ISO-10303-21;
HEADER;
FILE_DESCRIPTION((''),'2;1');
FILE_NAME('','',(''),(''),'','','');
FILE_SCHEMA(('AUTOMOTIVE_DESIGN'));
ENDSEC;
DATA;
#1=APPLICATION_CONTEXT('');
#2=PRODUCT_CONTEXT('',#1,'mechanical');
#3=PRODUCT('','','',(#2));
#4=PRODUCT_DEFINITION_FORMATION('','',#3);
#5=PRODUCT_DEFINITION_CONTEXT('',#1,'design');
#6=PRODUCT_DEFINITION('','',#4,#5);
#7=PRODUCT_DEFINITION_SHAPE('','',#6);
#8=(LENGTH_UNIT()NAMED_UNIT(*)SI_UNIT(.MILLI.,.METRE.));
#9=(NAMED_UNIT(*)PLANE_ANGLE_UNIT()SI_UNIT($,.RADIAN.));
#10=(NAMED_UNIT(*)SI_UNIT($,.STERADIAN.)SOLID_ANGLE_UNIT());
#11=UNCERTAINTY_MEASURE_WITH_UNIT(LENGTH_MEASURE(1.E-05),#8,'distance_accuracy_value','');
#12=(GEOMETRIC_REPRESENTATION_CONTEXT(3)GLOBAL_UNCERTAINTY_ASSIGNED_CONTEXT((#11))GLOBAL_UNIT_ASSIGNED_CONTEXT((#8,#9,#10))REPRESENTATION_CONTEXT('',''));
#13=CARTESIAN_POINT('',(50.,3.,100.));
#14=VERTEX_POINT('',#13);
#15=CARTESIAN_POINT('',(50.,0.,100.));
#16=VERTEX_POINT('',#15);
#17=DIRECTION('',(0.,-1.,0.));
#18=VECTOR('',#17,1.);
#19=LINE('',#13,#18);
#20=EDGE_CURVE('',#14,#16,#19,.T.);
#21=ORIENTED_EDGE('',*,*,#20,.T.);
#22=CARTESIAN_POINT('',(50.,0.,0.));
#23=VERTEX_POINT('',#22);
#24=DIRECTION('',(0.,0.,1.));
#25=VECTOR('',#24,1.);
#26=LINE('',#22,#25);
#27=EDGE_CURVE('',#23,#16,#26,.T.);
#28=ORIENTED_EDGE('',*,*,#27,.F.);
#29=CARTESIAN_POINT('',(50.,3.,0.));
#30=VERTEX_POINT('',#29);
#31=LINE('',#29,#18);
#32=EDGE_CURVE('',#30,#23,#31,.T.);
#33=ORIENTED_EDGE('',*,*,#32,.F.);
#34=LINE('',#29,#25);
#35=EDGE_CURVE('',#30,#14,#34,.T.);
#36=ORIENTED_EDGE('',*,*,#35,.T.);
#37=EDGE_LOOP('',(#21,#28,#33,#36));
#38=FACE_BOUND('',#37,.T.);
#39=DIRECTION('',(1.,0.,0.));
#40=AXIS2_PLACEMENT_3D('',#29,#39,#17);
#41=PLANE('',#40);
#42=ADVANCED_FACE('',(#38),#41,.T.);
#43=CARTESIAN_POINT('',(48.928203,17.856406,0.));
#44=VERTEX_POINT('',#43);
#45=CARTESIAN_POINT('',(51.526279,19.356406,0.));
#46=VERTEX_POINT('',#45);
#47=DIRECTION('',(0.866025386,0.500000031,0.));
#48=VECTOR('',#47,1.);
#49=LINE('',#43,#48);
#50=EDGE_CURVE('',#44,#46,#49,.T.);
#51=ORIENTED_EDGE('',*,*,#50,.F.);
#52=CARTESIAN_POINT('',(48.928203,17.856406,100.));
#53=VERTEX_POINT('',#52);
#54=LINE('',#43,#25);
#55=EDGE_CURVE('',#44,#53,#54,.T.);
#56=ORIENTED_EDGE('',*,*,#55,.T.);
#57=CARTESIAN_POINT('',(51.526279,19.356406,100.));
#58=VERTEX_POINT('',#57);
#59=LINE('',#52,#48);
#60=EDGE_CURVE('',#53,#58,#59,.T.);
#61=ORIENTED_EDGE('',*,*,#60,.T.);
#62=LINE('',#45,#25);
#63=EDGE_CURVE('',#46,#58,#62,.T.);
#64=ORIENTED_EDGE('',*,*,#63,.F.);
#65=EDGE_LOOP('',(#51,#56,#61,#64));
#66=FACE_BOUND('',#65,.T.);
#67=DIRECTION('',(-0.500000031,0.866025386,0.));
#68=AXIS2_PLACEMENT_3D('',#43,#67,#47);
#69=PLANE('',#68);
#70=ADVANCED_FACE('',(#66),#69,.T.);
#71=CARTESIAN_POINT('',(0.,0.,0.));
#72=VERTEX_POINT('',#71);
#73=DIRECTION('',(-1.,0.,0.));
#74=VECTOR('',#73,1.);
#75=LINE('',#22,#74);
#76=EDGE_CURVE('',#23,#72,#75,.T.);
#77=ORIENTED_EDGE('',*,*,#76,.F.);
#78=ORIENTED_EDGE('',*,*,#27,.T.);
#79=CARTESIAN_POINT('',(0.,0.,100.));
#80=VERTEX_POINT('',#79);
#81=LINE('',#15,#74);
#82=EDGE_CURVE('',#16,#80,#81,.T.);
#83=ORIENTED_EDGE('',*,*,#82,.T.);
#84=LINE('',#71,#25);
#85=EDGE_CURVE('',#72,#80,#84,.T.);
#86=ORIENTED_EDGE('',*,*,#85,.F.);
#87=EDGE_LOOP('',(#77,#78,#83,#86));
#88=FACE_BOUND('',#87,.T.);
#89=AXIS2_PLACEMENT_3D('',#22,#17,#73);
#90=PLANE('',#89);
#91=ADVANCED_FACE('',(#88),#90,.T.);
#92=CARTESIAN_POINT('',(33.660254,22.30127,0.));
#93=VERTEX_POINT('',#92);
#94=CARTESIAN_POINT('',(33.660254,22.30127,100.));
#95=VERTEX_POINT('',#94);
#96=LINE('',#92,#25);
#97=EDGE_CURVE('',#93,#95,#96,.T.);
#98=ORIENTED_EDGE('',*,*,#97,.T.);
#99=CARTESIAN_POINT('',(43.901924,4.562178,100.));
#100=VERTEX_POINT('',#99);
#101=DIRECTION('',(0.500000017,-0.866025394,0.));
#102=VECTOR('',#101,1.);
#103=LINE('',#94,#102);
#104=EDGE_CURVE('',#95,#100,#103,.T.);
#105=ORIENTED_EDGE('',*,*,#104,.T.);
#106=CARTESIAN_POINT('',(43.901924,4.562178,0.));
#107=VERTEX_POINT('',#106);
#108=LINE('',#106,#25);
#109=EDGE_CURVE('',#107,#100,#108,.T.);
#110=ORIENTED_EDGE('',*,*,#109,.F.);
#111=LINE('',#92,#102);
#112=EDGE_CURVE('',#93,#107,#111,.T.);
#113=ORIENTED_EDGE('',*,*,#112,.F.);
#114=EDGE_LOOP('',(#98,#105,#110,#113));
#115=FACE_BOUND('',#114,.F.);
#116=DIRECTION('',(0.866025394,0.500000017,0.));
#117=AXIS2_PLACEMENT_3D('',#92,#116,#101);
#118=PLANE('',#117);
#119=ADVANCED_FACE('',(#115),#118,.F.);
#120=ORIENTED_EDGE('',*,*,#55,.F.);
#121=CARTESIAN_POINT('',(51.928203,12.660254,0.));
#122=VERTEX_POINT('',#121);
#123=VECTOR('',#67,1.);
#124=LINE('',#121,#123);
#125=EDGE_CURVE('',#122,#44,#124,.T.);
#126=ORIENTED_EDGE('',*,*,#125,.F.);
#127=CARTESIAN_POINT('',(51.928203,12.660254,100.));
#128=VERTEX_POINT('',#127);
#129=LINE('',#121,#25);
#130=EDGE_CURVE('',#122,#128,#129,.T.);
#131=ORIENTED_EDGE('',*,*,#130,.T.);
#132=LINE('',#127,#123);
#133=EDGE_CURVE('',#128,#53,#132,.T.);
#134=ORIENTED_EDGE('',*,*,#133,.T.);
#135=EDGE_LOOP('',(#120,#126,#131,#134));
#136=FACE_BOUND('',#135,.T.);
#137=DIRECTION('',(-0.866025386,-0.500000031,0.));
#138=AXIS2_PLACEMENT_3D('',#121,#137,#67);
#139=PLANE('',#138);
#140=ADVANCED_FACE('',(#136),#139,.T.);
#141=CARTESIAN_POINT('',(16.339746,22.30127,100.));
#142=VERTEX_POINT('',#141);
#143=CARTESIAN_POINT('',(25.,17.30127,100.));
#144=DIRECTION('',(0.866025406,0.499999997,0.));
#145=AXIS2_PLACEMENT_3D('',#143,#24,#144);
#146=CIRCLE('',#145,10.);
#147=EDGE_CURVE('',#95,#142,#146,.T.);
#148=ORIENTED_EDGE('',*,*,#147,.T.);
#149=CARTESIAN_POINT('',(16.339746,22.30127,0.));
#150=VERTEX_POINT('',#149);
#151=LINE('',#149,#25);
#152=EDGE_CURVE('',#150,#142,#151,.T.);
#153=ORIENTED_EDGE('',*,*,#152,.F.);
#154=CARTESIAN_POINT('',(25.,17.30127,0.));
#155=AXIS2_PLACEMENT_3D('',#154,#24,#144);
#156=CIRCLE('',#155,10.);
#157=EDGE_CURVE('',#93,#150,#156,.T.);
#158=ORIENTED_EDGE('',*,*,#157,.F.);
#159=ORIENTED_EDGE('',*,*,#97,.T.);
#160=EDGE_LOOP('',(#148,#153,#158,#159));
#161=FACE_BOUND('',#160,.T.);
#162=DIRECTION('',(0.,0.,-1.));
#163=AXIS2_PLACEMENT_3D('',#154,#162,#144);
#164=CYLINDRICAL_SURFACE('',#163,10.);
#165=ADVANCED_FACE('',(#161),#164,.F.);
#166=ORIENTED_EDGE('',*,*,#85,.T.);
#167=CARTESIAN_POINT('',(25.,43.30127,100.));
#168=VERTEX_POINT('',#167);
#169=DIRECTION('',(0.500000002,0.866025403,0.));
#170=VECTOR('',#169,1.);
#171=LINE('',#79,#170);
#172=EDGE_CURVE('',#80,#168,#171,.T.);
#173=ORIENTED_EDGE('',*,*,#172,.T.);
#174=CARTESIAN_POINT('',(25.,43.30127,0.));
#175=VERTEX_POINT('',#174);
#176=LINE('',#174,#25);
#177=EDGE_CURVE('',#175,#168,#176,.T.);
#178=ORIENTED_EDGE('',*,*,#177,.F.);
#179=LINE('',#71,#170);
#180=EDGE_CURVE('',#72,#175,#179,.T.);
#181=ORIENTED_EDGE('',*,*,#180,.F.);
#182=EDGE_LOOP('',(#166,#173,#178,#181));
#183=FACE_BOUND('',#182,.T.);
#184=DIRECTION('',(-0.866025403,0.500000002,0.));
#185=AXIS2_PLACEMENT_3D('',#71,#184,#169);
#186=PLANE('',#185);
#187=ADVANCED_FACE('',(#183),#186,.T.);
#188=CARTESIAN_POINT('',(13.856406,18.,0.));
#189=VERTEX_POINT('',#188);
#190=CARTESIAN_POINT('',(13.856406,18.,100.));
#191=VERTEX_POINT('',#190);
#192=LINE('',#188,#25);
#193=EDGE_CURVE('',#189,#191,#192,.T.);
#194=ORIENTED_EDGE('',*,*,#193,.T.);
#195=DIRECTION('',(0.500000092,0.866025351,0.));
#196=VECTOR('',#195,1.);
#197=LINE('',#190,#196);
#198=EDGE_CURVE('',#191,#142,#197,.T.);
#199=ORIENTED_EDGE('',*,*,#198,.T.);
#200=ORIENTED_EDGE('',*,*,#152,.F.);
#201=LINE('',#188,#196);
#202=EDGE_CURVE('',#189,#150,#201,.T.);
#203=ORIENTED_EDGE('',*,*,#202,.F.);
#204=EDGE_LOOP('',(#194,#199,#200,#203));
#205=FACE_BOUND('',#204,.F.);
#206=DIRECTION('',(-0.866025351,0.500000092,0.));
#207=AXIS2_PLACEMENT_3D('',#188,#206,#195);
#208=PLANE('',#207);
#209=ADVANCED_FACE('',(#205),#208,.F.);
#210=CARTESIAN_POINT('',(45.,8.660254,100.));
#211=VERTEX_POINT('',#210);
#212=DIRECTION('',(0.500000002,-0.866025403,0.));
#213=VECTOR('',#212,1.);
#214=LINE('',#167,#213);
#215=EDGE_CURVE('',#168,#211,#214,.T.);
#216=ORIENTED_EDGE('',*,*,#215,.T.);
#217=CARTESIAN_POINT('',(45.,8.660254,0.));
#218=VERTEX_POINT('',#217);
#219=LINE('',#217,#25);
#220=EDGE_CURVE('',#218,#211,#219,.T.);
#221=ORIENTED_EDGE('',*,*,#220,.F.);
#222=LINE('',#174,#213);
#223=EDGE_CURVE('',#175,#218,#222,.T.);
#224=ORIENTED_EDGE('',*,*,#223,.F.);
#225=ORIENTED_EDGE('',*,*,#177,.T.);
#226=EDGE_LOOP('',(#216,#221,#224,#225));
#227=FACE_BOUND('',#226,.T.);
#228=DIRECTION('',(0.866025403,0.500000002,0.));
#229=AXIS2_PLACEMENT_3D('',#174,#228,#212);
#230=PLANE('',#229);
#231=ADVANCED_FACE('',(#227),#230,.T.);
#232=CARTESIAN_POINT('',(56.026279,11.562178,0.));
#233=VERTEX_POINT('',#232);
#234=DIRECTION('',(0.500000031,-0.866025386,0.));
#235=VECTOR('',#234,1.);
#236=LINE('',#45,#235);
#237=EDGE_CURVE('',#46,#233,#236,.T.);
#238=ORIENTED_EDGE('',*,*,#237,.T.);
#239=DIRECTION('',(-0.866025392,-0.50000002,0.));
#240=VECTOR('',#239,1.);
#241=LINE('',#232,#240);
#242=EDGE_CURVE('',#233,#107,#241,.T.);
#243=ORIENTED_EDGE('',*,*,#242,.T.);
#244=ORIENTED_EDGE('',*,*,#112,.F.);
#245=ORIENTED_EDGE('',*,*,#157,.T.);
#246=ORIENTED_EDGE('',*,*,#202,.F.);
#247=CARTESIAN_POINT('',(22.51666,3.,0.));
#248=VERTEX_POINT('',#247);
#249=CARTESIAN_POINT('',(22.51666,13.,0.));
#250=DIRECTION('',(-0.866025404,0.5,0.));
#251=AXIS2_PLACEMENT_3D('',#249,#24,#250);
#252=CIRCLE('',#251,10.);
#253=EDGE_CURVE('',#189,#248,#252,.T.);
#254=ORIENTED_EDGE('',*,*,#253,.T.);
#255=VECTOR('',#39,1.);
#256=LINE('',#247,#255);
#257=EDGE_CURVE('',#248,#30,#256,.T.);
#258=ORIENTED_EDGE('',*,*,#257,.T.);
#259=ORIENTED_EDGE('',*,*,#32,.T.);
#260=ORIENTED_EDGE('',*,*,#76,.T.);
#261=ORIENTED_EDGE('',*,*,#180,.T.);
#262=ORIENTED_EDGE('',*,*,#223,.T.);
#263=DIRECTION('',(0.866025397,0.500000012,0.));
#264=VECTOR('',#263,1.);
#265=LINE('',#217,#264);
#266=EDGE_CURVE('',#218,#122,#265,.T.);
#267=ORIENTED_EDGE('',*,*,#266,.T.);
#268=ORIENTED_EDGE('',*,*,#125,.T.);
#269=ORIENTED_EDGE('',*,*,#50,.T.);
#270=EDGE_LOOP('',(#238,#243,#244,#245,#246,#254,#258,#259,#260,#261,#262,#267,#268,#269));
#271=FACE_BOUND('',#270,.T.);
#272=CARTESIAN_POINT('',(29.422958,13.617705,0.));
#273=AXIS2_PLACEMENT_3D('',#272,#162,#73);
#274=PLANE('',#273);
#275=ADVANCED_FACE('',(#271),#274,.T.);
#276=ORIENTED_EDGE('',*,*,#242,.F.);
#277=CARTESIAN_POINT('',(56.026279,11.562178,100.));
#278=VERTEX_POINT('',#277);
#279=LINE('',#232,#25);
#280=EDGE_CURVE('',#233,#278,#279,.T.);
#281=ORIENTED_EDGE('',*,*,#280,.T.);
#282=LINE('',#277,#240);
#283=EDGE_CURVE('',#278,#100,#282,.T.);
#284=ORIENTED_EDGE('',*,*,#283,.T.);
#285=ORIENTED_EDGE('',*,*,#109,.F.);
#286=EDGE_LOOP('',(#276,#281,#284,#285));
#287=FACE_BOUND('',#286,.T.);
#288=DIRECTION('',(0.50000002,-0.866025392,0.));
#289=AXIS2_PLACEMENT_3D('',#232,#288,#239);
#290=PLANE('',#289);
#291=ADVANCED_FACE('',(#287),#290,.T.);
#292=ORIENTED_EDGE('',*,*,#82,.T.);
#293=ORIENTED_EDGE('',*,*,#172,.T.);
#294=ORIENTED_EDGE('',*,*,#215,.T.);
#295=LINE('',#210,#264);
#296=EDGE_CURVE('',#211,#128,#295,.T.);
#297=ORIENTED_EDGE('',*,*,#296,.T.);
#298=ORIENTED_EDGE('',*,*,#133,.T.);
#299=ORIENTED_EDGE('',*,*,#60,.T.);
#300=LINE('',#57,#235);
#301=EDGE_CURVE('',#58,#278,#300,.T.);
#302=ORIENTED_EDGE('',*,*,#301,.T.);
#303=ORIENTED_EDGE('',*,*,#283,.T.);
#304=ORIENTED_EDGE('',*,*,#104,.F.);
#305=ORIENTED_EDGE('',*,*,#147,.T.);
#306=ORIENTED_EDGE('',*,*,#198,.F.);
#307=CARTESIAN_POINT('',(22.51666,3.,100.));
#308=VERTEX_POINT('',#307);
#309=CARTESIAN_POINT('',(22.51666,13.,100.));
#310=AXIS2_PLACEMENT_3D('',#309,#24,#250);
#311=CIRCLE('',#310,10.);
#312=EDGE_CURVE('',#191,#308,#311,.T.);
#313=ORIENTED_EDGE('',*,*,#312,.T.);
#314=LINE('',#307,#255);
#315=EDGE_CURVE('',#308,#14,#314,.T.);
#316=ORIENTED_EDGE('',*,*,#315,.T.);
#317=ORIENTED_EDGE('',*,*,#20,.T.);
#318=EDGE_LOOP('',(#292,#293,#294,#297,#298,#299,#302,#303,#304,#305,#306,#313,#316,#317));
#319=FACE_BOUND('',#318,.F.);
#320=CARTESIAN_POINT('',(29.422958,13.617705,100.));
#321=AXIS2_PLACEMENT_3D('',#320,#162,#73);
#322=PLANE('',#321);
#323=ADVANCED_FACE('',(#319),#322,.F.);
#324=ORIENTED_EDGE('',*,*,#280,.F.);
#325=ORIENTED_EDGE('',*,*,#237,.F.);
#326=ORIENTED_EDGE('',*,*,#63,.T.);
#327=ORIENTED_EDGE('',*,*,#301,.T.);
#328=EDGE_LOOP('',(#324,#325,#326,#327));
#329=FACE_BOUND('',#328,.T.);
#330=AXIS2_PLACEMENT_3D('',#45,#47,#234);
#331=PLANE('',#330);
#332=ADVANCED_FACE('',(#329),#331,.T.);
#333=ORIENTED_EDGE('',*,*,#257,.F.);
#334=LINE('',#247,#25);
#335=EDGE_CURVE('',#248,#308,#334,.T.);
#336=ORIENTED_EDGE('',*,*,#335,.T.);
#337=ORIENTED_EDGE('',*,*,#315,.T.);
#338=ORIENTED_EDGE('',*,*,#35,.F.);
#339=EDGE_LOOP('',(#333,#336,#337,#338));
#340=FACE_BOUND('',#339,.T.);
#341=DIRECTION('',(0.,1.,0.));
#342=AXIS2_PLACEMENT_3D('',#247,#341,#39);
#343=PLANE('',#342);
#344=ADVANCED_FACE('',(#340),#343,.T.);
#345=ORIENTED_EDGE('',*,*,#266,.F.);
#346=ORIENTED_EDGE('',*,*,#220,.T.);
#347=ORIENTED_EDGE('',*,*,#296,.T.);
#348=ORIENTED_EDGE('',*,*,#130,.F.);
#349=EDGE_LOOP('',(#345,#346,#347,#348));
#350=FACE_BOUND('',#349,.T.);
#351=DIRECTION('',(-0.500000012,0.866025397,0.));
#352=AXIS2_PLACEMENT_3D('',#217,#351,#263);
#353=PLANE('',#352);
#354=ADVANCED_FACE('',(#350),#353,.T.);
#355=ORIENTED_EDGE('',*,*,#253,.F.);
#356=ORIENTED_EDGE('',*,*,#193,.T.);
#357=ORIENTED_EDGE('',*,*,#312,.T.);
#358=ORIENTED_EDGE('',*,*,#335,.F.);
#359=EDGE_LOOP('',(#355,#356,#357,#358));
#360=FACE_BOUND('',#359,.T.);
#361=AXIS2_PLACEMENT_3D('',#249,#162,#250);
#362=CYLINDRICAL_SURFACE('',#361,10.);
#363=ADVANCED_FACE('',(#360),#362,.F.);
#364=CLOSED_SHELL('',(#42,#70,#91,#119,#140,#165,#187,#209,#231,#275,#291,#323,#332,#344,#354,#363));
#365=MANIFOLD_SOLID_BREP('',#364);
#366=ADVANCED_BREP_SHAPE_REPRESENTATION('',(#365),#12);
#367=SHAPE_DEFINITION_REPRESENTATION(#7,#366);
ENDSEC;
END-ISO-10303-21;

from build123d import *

# Parameters (mm, degrees)
PAD_DEPTH = 100


with BuildPart() as part:
    # Sketch → Pad (new body)
    with BuildSketch(Plane.XY):
        with BuildLine():
            Line((50, 0), (0, 0))
            Line((0, 0), (25, 43.30127))
            Line((25, 43.30127), (45, 8.660254))
            Line((45, 8.660254), (51.928203, 12.660254))
            Line((51.928203, 12.660254), (48.928203, 17.856406))
            Line((48.928203, 17.856406), (51.526279, 19.356406))
            Line((51.526279, 19.356406), (56.026279, 11.562178))
            Line((56.026279, 11.562178), (43.901924, 4.562178))
            Line((33.660254, 22.30127), (43.901924, 4.562178))
            ThreePointArc((33.660254, 22.30127), (25, 27.30127), (16.339746, 22.30127))
            Line((13.856406, 18), (16.339746, 22.30127))
            ThreePointArc((13.856406, 18), (13.856406, 8), (22.51666, 3))
            Line((22.51666, 3), (50, 3))
            Line((50, 3), (50, 0))
        make_face()
    extrude(amount=PAD_DEPTH)


solid = part.part
